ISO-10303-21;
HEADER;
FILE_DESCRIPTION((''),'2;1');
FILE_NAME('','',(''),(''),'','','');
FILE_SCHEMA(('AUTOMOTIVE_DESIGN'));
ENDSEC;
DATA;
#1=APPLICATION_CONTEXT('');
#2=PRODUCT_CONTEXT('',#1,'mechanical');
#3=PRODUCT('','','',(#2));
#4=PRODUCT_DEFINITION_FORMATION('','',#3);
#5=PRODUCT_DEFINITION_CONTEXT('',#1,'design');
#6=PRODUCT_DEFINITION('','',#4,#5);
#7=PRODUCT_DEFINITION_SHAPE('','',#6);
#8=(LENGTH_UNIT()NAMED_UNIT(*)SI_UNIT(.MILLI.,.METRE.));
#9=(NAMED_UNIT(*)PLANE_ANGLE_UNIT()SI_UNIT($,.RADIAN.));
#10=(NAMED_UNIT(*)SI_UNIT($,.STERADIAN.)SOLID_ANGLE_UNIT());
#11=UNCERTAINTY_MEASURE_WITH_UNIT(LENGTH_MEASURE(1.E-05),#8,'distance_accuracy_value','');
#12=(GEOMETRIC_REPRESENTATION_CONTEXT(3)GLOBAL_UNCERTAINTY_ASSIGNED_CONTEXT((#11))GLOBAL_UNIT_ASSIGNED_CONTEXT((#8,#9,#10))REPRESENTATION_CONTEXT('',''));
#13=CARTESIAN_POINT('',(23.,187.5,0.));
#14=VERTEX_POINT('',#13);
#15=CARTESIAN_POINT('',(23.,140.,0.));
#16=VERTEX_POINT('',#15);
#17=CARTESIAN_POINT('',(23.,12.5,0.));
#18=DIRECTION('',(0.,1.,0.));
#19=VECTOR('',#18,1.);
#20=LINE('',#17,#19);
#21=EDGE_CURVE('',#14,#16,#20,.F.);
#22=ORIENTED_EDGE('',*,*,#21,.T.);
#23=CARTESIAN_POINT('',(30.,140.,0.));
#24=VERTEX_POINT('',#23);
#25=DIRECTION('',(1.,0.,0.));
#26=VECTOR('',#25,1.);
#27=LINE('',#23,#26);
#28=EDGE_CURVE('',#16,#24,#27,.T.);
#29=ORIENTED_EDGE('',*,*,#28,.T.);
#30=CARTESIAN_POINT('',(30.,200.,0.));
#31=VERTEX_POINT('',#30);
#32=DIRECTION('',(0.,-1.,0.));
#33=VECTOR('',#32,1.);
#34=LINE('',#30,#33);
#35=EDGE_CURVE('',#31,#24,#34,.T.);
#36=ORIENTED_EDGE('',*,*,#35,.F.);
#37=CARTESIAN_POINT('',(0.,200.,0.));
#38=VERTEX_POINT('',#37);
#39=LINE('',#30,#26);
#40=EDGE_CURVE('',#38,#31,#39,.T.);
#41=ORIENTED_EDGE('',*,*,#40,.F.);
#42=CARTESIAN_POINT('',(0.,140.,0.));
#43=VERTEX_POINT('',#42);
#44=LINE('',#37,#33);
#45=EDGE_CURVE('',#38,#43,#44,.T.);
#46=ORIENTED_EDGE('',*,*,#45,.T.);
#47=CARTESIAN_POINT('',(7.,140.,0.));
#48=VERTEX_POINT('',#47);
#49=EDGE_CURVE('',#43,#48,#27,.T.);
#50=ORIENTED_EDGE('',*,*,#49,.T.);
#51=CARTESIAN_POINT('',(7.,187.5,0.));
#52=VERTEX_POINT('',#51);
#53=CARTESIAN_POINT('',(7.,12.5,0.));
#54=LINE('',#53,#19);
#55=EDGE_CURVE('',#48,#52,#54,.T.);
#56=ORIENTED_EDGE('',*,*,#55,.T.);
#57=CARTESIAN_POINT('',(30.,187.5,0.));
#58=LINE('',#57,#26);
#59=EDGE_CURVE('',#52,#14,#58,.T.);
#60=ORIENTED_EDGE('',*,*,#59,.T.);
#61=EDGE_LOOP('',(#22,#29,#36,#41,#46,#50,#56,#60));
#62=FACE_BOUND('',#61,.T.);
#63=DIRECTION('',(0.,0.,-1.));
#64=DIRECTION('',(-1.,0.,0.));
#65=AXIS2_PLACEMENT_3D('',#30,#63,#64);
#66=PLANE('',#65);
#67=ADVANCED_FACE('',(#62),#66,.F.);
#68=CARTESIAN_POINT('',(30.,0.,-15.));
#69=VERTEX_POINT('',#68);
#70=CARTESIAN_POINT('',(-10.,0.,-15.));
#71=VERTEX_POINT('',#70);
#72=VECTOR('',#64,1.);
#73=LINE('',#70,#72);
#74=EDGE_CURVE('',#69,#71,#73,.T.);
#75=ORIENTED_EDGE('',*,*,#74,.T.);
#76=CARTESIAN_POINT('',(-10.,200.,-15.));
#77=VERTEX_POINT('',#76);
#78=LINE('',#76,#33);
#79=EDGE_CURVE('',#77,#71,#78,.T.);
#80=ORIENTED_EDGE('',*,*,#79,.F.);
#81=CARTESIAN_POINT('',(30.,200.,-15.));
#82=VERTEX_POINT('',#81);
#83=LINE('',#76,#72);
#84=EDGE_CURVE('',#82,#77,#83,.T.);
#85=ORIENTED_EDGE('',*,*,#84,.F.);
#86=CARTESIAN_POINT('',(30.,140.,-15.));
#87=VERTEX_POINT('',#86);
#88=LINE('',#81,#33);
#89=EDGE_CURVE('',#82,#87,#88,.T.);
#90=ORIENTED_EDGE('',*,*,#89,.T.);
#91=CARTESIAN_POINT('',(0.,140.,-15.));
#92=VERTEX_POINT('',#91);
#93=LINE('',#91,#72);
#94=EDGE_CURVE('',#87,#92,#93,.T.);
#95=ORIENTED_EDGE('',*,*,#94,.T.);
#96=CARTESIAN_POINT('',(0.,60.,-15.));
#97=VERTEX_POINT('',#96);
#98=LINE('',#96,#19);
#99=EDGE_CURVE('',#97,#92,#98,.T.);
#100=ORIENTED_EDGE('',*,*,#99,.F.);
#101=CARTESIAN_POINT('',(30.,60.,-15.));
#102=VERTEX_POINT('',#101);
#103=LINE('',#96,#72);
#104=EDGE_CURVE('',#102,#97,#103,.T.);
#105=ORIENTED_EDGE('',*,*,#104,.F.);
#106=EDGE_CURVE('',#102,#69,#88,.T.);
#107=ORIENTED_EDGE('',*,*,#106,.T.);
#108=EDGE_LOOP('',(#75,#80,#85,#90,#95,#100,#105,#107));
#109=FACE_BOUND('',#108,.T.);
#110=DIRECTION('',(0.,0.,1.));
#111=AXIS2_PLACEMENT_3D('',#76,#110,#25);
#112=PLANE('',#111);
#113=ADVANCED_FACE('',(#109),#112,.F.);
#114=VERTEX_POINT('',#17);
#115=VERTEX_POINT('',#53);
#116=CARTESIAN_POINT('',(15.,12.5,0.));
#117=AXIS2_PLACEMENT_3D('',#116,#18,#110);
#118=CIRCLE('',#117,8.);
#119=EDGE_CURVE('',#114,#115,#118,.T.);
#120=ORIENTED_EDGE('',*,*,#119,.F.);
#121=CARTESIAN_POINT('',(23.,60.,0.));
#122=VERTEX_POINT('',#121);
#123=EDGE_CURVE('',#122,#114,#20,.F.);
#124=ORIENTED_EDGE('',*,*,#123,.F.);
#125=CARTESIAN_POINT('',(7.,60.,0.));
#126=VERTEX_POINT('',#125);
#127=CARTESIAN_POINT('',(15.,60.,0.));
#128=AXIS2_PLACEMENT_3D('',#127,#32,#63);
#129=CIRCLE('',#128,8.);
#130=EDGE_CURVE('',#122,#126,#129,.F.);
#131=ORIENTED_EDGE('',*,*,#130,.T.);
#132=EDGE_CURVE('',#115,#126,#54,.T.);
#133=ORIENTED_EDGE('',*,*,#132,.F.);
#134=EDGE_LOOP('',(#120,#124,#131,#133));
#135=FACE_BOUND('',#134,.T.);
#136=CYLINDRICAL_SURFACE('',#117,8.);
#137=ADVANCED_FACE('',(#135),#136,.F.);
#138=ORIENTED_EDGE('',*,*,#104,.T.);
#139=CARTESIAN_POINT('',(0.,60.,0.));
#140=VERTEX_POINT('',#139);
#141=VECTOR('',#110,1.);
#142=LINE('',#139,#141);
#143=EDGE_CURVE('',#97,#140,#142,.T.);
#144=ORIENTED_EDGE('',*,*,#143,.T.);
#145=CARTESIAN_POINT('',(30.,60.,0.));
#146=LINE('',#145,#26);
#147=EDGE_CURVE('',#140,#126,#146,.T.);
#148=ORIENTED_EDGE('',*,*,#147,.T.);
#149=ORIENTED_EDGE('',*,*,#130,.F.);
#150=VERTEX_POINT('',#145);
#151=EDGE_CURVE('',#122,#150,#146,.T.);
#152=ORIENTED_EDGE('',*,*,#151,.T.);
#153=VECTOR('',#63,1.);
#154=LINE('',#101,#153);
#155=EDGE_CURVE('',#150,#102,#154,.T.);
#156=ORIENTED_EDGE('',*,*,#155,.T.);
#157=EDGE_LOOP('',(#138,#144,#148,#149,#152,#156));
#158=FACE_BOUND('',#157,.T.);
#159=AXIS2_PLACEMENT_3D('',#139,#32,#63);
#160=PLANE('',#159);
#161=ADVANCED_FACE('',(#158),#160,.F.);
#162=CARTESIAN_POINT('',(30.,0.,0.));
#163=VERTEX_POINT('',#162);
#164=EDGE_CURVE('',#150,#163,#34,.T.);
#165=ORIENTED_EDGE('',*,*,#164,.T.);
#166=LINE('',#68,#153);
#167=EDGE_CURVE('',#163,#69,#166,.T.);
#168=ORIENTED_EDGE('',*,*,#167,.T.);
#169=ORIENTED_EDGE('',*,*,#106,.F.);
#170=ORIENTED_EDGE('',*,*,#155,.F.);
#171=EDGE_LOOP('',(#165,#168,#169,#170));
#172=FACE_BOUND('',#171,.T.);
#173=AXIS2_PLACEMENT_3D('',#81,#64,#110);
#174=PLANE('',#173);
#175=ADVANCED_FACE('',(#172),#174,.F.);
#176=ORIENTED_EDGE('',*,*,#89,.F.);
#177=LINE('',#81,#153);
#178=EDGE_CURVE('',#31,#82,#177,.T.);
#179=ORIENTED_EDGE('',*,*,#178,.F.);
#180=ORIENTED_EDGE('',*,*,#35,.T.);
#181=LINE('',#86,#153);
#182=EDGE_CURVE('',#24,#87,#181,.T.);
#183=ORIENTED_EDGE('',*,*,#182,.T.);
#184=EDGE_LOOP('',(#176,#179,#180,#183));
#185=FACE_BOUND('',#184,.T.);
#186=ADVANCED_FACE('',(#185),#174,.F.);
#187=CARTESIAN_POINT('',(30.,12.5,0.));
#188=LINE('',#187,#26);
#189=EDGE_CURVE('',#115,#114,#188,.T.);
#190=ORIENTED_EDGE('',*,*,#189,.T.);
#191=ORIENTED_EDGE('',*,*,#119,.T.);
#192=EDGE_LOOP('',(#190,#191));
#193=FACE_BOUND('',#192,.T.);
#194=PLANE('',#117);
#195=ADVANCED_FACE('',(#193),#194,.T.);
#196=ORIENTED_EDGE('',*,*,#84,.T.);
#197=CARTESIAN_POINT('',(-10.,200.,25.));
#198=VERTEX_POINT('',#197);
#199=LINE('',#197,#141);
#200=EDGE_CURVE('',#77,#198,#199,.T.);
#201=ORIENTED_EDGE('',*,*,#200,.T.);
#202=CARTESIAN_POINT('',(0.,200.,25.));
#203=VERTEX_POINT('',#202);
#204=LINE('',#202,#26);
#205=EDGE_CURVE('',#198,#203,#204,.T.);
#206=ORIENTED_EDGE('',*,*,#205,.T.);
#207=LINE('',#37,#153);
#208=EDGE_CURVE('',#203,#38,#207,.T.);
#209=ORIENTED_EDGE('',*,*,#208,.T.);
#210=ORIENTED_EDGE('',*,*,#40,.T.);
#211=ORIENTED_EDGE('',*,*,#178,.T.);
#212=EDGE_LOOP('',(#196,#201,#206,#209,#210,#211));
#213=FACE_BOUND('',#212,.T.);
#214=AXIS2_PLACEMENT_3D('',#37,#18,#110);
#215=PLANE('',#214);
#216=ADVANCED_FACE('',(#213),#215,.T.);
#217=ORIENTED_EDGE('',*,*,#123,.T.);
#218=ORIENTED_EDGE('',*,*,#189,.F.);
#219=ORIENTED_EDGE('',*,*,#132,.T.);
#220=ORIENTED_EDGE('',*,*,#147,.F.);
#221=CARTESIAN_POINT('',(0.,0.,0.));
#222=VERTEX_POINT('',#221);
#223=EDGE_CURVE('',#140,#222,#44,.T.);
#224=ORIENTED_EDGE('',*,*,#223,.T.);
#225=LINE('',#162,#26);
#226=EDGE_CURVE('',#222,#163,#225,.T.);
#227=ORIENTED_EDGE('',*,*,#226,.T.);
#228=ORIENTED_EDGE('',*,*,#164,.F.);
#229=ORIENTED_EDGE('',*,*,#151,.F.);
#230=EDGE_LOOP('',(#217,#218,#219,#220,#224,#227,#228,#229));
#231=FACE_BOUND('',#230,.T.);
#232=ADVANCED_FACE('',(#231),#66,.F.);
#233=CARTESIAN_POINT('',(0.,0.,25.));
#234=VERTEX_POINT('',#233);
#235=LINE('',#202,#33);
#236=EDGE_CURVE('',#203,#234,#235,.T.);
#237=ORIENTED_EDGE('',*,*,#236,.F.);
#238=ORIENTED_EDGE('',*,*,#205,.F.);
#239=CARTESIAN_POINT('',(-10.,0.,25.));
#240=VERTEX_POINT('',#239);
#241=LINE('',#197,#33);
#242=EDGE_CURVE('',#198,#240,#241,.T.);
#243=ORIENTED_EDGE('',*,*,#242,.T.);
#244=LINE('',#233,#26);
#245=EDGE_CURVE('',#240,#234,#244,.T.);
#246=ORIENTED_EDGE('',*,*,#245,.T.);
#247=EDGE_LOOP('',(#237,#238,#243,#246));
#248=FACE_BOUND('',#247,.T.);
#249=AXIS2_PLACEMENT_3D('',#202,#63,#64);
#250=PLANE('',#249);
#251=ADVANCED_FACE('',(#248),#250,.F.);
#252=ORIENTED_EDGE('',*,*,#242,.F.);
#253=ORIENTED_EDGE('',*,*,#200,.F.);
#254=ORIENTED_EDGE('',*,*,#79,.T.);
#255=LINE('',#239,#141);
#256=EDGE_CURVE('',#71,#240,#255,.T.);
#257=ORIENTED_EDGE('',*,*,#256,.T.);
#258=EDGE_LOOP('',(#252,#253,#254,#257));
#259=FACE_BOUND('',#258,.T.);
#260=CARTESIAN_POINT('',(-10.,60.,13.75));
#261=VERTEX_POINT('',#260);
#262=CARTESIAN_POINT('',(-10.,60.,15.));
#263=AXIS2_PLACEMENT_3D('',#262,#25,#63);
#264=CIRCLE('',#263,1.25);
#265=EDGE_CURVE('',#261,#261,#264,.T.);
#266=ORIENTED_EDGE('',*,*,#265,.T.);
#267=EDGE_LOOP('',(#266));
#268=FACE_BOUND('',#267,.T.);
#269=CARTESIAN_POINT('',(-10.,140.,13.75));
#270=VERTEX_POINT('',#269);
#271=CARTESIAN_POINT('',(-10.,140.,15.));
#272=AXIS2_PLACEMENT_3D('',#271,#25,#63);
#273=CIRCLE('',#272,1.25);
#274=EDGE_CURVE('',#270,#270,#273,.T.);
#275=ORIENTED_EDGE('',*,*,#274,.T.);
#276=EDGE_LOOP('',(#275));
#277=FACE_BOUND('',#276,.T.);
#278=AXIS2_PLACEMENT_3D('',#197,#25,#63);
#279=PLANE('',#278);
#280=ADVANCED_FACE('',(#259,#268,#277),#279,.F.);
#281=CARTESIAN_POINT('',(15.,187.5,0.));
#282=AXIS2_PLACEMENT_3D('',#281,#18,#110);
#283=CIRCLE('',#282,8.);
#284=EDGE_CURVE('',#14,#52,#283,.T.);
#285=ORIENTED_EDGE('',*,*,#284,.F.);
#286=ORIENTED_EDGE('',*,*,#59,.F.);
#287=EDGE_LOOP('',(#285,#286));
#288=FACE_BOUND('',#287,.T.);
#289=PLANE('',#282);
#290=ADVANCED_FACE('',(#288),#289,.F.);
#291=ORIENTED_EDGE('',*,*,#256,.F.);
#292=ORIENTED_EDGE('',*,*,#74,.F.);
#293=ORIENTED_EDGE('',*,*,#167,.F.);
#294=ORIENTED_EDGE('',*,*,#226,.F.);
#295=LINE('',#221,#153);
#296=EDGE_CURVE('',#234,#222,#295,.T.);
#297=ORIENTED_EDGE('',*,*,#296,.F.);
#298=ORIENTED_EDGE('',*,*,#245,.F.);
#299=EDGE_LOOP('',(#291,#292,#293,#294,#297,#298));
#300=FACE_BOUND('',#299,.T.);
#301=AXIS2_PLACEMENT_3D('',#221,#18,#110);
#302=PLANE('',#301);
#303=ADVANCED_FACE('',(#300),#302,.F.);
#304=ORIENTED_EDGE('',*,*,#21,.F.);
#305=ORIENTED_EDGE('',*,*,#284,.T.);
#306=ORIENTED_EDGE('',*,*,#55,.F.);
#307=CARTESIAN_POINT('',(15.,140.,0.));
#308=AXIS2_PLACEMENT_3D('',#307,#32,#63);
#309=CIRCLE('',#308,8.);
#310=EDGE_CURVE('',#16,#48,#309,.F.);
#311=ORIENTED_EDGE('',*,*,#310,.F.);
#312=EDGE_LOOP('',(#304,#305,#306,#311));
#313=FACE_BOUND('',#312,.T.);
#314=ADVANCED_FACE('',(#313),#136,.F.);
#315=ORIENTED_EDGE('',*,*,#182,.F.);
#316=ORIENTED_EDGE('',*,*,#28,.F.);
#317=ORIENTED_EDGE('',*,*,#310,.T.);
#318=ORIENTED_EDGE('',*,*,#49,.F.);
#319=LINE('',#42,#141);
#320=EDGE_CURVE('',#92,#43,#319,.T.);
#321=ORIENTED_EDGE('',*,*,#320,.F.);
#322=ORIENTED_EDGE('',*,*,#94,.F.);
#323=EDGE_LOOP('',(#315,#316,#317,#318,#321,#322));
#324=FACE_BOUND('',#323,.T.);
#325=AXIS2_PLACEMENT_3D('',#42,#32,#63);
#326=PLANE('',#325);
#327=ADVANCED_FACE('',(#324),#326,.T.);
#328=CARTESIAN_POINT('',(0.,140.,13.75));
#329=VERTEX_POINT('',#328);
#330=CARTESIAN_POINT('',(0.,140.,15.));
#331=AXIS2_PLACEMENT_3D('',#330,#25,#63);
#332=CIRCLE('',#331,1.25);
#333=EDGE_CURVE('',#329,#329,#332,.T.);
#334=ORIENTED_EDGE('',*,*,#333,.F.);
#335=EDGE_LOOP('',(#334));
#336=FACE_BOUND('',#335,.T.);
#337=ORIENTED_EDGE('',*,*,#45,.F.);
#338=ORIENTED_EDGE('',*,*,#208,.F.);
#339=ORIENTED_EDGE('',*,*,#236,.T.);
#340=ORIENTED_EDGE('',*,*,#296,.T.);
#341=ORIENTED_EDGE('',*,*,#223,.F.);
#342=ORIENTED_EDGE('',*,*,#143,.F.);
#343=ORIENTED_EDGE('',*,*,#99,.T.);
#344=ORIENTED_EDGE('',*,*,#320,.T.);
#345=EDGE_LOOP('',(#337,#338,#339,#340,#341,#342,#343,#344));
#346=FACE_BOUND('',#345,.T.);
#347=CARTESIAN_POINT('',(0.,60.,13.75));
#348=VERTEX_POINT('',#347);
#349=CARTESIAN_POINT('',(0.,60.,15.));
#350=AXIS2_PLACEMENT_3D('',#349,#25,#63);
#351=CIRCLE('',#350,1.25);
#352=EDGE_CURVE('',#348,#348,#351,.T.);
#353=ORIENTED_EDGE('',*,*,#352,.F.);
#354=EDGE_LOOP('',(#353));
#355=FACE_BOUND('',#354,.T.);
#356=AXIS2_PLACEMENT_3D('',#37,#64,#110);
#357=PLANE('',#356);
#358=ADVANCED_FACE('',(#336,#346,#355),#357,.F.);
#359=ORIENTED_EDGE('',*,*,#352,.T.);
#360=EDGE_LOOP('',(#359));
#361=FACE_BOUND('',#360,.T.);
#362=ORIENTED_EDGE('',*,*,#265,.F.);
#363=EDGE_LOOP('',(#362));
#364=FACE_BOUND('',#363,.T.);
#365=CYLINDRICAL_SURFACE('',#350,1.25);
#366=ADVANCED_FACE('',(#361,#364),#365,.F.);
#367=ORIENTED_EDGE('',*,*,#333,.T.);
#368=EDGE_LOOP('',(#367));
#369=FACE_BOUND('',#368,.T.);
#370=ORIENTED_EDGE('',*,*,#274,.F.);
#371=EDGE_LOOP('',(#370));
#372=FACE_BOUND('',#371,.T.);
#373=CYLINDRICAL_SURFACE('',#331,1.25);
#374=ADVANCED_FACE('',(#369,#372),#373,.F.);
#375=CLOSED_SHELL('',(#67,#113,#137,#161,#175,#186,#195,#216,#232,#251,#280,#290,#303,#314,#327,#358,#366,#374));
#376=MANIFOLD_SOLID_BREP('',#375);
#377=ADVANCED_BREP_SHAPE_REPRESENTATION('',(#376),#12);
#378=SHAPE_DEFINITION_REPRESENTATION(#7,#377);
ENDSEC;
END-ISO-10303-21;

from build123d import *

# Parameters (mm, degrees)
EXTRUDE_2_DEPTH     = 200
SKETCH_3_R          = 8
CUT_EXTRUDE_1_DEPTH = 175
SKETCH_4_W          = 30
SKETCH_4_H          = 15
CUT_EXTRUDE_2_DEPTH = 80
HOLE_WIZARD_M3_1_D  = 2.5


with BuildPart() as part:
    # 草图1 → 凸台-拉伸2 (new body)
    with BuildSketch(Plane(origin=(0, 0, 0), x_dir=(1, 0, 0), z_dir=(0, 1, 0))):
        Polygon((0, 0), (0, -25), (-10, -25), (-10, 15), (30, 15), (30, 0), align=None)
    extrude(amount=EXTRUDE_2_DEPTH)

    # 草图3 → 切除-拉伸1 (cut)
    with BuildSketch(Plane(origin=(0, 187.5, 0), x_dir=(1, 0, 0), z_dir=(0, 1, 0))):
        with Locations((15, 0)):
            Circle(SKETCH_3_R)
    extrude(amount=-CUT_EXTRUDE_1_DEPTH, mode=Mode.SUBTRACT)

    # 草图4 → 切除-拉伸2 (cut)
    with BuildSketch(Plane(origin=(0, 140, 0), x_dir=(1, 0, 0), z_dir=(0, 1, 0))):
        with Locations((15, 7.5)):
            Rectangle(SKETCH_4_W, SKETCH_4_H)
    extrude(amount=-CUT_EXTRUDE_2_DEPTH, mode=Mode.SUBTRACT)

    # M3 螺纹孔1 (through all)
    with Locations(Plane(origin=(0, 0, 0), x_dir=(0, 0, -1), z_dir=(1, 0, 0))):
        with Locations((-15, 140), (-15, 60)):
            Hole(HOLE_WIZARD_M3_1_D / 2)


solid = part.part
